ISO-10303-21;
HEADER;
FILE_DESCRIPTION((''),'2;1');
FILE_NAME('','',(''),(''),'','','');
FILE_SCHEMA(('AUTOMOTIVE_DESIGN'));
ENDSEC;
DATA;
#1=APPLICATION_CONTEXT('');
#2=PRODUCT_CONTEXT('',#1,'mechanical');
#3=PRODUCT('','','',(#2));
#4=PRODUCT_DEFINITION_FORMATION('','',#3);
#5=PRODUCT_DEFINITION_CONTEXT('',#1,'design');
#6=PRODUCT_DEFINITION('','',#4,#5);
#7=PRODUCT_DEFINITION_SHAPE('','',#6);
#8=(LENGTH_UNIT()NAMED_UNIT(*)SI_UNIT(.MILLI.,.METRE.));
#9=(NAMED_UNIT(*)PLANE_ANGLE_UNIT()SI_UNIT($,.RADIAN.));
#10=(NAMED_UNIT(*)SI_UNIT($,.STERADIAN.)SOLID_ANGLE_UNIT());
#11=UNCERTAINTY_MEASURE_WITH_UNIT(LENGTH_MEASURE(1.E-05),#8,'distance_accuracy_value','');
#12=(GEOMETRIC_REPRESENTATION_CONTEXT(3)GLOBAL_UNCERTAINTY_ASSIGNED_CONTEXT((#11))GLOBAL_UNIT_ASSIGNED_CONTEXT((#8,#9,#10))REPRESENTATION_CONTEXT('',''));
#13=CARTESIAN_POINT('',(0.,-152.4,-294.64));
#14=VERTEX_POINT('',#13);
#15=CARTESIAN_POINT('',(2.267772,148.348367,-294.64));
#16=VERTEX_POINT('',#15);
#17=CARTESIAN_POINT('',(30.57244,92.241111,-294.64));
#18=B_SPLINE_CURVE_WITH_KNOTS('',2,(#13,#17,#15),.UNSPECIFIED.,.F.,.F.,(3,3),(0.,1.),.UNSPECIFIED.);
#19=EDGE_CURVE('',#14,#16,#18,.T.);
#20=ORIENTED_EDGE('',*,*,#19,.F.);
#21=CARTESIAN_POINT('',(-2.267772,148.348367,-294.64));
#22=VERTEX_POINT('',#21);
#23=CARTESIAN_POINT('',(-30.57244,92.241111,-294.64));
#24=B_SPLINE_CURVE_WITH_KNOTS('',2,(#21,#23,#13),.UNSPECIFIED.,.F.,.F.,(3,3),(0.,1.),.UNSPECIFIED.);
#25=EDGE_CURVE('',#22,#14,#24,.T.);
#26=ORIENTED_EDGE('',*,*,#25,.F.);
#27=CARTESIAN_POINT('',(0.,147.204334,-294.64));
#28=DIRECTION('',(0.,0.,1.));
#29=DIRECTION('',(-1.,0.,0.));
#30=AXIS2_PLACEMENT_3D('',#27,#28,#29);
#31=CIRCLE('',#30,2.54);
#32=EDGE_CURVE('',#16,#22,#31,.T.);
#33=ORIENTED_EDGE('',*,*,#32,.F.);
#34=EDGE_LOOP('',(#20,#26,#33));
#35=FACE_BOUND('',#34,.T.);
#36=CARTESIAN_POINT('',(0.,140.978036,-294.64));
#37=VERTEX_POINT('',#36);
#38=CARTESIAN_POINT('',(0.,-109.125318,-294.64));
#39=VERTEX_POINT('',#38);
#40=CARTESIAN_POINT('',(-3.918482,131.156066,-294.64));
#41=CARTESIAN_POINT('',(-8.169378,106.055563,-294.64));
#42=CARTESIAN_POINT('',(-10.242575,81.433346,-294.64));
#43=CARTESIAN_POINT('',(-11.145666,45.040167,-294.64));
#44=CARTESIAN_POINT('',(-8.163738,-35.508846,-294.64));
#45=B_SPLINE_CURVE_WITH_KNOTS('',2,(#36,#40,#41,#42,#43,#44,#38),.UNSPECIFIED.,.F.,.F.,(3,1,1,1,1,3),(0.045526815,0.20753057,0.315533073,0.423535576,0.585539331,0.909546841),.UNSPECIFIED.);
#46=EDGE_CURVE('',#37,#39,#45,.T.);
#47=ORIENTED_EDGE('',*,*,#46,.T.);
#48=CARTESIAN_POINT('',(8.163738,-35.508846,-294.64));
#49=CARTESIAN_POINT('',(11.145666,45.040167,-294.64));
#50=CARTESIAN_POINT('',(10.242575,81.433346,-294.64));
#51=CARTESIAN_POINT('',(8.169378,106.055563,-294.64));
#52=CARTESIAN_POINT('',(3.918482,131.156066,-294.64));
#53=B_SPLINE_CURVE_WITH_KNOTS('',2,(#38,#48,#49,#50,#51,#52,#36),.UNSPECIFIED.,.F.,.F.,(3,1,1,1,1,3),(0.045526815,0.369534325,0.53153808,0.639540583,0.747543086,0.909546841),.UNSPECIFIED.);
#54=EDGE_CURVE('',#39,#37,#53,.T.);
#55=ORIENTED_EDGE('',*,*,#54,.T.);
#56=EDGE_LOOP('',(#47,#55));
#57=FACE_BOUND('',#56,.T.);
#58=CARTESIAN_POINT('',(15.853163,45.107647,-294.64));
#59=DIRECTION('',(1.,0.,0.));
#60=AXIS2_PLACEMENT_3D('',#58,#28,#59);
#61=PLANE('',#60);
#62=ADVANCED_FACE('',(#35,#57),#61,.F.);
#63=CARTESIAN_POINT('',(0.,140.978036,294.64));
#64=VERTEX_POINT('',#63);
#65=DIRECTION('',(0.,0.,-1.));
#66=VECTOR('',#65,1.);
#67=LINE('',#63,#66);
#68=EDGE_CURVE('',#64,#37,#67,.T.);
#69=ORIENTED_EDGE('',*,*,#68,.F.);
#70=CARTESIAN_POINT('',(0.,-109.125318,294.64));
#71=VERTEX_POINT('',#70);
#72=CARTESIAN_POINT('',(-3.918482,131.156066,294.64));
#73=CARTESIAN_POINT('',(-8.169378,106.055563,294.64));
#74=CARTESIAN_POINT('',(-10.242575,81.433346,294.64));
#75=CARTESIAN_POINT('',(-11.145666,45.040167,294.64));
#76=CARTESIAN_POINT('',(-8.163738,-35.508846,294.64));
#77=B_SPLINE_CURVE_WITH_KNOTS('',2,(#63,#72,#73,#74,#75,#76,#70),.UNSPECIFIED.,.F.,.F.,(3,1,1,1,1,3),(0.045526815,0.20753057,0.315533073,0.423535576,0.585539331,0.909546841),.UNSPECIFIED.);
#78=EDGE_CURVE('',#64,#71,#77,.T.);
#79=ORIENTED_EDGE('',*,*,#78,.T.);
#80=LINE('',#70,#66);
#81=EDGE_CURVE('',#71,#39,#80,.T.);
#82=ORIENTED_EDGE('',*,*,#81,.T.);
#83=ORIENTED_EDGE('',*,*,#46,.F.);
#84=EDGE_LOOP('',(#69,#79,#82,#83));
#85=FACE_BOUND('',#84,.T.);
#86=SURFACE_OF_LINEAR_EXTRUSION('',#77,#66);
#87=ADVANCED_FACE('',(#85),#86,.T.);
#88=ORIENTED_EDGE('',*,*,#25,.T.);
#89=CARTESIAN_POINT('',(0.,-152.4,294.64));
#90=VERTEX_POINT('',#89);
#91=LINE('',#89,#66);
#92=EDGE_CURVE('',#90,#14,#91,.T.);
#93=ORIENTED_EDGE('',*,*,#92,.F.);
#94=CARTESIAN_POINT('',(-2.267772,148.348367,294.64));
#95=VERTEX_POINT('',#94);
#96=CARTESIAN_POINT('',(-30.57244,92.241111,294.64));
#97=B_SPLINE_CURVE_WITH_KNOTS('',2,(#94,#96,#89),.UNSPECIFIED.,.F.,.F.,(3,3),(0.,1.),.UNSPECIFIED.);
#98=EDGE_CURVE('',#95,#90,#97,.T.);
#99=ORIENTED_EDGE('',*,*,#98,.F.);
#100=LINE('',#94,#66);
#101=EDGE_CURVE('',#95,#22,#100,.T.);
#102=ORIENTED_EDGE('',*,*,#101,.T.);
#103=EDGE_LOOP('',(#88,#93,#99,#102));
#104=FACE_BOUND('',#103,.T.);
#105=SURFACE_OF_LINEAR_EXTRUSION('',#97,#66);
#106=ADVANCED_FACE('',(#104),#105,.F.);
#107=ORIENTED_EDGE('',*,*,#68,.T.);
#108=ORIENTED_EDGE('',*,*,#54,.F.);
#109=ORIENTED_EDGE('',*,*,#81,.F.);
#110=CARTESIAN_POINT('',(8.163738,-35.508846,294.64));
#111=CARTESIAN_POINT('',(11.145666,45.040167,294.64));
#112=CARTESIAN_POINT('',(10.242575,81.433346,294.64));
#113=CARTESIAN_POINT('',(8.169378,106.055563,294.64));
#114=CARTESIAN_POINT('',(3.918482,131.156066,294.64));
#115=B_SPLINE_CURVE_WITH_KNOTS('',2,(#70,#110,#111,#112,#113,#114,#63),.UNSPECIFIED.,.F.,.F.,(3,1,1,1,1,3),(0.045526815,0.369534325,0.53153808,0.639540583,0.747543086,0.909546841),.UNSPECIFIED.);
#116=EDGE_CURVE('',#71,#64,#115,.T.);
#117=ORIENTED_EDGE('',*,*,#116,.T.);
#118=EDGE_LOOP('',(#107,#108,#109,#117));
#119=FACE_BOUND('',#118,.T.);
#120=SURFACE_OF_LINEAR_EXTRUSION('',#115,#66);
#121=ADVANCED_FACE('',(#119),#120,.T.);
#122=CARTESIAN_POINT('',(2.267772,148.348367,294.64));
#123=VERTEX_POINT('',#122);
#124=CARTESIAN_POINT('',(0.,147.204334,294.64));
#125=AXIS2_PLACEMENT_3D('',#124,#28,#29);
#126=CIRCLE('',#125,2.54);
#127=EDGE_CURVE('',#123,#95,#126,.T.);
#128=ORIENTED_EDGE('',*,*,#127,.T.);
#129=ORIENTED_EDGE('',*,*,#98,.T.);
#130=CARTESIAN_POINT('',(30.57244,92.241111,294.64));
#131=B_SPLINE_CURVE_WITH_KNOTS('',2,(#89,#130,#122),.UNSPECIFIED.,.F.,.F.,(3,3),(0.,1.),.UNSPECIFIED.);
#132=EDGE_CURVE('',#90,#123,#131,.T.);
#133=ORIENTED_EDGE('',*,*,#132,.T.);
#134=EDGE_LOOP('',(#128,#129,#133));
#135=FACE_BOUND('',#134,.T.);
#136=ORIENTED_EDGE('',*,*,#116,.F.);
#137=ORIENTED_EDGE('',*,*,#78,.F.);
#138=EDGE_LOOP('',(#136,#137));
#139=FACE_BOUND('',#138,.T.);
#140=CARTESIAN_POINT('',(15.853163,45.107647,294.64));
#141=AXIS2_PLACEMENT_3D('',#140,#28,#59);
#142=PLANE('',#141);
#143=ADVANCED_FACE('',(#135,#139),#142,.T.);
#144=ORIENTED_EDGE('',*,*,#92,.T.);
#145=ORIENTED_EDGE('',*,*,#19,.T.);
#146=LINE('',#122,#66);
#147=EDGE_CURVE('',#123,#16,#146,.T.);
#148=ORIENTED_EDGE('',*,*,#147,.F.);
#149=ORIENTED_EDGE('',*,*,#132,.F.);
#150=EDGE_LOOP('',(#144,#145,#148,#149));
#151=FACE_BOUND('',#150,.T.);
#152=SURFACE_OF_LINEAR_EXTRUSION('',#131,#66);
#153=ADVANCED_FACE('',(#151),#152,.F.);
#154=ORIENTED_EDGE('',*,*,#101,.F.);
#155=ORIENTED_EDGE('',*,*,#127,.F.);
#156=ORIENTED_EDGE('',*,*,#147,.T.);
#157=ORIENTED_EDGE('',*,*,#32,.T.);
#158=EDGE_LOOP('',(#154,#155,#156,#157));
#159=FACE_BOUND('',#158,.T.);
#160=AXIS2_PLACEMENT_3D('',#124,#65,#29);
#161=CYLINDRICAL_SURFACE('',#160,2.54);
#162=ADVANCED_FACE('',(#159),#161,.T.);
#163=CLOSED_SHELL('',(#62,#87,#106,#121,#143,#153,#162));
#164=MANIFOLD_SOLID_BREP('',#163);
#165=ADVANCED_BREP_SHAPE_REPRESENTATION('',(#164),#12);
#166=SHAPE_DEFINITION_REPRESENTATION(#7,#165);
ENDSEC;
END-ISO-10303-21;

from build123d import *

# Parameters (mm, degrees)
BOSS_EXTRUDE1_DEPTH = 294.64


with BuildPart() as part:
    # Sketch1 → Boss-Extrude1 (new, symmetric)
    with BuildSketch(Plane.XY):
        with BuildLine():
            ThreePointArc((-2.267771894, 148.348367024), (0, 149.744334404), (2.267771894, 148.348367024))
            add(Edge.make_bspline(
                [(2.267771894, 148.348367024), (30.572440123, 92.24111101), (0, -152.4)],
                knots=[0, 0, 0, 1, 1, 1], degree=2))
            add(Edge.make_bspline(
                [(-2.267771894, 148.348367024), (-30.572440123, 92.24111101), (0, -152.4)],
                knots=[0, 0, 0, 1, 1, 1], degree=2))
        make_face()
        with BuildLine():
            add(Edge.make_bspline(
                [(0, 140.978035645), (3.918482074, 131.156065717), (8.169378172, 106.05556313), (10.242574642, 81.433345605), (11.145665597, 45.040166844), (8.163737965, -35.508846412), (0, -109.12531842)],
                knots=[0.045526815, 0.045526815, 0.045526815, 0.20753057, 0.315533073, 0.423535576, 0.585539331, 0.909546841, 0.909546841, 0.909546841], degree=2))
            add(Edge.make_bspline(
                [(0, -109.12531842), (-8.163737965, -35.508846412), (-11.145665597, 45.040166844), (-10.242574642, 81.433345605), (-8.169378172, 106.05556313), (-3.918482074, 131.156065717), (0, 140.978035645)],
                knots=[0.045526815, 0.045526815, 0.045526815, 0.369534325, 0.53153808, 0.639540583, 0.747543086, 0.909546841, 0.909546841, 0.909546841], degree=2))
        make_face(mode=Mode.SUBTRACT)
    extrude(amount=BOSS_EXTRUDE1_DEPTH, both=True)


solid = part.part
